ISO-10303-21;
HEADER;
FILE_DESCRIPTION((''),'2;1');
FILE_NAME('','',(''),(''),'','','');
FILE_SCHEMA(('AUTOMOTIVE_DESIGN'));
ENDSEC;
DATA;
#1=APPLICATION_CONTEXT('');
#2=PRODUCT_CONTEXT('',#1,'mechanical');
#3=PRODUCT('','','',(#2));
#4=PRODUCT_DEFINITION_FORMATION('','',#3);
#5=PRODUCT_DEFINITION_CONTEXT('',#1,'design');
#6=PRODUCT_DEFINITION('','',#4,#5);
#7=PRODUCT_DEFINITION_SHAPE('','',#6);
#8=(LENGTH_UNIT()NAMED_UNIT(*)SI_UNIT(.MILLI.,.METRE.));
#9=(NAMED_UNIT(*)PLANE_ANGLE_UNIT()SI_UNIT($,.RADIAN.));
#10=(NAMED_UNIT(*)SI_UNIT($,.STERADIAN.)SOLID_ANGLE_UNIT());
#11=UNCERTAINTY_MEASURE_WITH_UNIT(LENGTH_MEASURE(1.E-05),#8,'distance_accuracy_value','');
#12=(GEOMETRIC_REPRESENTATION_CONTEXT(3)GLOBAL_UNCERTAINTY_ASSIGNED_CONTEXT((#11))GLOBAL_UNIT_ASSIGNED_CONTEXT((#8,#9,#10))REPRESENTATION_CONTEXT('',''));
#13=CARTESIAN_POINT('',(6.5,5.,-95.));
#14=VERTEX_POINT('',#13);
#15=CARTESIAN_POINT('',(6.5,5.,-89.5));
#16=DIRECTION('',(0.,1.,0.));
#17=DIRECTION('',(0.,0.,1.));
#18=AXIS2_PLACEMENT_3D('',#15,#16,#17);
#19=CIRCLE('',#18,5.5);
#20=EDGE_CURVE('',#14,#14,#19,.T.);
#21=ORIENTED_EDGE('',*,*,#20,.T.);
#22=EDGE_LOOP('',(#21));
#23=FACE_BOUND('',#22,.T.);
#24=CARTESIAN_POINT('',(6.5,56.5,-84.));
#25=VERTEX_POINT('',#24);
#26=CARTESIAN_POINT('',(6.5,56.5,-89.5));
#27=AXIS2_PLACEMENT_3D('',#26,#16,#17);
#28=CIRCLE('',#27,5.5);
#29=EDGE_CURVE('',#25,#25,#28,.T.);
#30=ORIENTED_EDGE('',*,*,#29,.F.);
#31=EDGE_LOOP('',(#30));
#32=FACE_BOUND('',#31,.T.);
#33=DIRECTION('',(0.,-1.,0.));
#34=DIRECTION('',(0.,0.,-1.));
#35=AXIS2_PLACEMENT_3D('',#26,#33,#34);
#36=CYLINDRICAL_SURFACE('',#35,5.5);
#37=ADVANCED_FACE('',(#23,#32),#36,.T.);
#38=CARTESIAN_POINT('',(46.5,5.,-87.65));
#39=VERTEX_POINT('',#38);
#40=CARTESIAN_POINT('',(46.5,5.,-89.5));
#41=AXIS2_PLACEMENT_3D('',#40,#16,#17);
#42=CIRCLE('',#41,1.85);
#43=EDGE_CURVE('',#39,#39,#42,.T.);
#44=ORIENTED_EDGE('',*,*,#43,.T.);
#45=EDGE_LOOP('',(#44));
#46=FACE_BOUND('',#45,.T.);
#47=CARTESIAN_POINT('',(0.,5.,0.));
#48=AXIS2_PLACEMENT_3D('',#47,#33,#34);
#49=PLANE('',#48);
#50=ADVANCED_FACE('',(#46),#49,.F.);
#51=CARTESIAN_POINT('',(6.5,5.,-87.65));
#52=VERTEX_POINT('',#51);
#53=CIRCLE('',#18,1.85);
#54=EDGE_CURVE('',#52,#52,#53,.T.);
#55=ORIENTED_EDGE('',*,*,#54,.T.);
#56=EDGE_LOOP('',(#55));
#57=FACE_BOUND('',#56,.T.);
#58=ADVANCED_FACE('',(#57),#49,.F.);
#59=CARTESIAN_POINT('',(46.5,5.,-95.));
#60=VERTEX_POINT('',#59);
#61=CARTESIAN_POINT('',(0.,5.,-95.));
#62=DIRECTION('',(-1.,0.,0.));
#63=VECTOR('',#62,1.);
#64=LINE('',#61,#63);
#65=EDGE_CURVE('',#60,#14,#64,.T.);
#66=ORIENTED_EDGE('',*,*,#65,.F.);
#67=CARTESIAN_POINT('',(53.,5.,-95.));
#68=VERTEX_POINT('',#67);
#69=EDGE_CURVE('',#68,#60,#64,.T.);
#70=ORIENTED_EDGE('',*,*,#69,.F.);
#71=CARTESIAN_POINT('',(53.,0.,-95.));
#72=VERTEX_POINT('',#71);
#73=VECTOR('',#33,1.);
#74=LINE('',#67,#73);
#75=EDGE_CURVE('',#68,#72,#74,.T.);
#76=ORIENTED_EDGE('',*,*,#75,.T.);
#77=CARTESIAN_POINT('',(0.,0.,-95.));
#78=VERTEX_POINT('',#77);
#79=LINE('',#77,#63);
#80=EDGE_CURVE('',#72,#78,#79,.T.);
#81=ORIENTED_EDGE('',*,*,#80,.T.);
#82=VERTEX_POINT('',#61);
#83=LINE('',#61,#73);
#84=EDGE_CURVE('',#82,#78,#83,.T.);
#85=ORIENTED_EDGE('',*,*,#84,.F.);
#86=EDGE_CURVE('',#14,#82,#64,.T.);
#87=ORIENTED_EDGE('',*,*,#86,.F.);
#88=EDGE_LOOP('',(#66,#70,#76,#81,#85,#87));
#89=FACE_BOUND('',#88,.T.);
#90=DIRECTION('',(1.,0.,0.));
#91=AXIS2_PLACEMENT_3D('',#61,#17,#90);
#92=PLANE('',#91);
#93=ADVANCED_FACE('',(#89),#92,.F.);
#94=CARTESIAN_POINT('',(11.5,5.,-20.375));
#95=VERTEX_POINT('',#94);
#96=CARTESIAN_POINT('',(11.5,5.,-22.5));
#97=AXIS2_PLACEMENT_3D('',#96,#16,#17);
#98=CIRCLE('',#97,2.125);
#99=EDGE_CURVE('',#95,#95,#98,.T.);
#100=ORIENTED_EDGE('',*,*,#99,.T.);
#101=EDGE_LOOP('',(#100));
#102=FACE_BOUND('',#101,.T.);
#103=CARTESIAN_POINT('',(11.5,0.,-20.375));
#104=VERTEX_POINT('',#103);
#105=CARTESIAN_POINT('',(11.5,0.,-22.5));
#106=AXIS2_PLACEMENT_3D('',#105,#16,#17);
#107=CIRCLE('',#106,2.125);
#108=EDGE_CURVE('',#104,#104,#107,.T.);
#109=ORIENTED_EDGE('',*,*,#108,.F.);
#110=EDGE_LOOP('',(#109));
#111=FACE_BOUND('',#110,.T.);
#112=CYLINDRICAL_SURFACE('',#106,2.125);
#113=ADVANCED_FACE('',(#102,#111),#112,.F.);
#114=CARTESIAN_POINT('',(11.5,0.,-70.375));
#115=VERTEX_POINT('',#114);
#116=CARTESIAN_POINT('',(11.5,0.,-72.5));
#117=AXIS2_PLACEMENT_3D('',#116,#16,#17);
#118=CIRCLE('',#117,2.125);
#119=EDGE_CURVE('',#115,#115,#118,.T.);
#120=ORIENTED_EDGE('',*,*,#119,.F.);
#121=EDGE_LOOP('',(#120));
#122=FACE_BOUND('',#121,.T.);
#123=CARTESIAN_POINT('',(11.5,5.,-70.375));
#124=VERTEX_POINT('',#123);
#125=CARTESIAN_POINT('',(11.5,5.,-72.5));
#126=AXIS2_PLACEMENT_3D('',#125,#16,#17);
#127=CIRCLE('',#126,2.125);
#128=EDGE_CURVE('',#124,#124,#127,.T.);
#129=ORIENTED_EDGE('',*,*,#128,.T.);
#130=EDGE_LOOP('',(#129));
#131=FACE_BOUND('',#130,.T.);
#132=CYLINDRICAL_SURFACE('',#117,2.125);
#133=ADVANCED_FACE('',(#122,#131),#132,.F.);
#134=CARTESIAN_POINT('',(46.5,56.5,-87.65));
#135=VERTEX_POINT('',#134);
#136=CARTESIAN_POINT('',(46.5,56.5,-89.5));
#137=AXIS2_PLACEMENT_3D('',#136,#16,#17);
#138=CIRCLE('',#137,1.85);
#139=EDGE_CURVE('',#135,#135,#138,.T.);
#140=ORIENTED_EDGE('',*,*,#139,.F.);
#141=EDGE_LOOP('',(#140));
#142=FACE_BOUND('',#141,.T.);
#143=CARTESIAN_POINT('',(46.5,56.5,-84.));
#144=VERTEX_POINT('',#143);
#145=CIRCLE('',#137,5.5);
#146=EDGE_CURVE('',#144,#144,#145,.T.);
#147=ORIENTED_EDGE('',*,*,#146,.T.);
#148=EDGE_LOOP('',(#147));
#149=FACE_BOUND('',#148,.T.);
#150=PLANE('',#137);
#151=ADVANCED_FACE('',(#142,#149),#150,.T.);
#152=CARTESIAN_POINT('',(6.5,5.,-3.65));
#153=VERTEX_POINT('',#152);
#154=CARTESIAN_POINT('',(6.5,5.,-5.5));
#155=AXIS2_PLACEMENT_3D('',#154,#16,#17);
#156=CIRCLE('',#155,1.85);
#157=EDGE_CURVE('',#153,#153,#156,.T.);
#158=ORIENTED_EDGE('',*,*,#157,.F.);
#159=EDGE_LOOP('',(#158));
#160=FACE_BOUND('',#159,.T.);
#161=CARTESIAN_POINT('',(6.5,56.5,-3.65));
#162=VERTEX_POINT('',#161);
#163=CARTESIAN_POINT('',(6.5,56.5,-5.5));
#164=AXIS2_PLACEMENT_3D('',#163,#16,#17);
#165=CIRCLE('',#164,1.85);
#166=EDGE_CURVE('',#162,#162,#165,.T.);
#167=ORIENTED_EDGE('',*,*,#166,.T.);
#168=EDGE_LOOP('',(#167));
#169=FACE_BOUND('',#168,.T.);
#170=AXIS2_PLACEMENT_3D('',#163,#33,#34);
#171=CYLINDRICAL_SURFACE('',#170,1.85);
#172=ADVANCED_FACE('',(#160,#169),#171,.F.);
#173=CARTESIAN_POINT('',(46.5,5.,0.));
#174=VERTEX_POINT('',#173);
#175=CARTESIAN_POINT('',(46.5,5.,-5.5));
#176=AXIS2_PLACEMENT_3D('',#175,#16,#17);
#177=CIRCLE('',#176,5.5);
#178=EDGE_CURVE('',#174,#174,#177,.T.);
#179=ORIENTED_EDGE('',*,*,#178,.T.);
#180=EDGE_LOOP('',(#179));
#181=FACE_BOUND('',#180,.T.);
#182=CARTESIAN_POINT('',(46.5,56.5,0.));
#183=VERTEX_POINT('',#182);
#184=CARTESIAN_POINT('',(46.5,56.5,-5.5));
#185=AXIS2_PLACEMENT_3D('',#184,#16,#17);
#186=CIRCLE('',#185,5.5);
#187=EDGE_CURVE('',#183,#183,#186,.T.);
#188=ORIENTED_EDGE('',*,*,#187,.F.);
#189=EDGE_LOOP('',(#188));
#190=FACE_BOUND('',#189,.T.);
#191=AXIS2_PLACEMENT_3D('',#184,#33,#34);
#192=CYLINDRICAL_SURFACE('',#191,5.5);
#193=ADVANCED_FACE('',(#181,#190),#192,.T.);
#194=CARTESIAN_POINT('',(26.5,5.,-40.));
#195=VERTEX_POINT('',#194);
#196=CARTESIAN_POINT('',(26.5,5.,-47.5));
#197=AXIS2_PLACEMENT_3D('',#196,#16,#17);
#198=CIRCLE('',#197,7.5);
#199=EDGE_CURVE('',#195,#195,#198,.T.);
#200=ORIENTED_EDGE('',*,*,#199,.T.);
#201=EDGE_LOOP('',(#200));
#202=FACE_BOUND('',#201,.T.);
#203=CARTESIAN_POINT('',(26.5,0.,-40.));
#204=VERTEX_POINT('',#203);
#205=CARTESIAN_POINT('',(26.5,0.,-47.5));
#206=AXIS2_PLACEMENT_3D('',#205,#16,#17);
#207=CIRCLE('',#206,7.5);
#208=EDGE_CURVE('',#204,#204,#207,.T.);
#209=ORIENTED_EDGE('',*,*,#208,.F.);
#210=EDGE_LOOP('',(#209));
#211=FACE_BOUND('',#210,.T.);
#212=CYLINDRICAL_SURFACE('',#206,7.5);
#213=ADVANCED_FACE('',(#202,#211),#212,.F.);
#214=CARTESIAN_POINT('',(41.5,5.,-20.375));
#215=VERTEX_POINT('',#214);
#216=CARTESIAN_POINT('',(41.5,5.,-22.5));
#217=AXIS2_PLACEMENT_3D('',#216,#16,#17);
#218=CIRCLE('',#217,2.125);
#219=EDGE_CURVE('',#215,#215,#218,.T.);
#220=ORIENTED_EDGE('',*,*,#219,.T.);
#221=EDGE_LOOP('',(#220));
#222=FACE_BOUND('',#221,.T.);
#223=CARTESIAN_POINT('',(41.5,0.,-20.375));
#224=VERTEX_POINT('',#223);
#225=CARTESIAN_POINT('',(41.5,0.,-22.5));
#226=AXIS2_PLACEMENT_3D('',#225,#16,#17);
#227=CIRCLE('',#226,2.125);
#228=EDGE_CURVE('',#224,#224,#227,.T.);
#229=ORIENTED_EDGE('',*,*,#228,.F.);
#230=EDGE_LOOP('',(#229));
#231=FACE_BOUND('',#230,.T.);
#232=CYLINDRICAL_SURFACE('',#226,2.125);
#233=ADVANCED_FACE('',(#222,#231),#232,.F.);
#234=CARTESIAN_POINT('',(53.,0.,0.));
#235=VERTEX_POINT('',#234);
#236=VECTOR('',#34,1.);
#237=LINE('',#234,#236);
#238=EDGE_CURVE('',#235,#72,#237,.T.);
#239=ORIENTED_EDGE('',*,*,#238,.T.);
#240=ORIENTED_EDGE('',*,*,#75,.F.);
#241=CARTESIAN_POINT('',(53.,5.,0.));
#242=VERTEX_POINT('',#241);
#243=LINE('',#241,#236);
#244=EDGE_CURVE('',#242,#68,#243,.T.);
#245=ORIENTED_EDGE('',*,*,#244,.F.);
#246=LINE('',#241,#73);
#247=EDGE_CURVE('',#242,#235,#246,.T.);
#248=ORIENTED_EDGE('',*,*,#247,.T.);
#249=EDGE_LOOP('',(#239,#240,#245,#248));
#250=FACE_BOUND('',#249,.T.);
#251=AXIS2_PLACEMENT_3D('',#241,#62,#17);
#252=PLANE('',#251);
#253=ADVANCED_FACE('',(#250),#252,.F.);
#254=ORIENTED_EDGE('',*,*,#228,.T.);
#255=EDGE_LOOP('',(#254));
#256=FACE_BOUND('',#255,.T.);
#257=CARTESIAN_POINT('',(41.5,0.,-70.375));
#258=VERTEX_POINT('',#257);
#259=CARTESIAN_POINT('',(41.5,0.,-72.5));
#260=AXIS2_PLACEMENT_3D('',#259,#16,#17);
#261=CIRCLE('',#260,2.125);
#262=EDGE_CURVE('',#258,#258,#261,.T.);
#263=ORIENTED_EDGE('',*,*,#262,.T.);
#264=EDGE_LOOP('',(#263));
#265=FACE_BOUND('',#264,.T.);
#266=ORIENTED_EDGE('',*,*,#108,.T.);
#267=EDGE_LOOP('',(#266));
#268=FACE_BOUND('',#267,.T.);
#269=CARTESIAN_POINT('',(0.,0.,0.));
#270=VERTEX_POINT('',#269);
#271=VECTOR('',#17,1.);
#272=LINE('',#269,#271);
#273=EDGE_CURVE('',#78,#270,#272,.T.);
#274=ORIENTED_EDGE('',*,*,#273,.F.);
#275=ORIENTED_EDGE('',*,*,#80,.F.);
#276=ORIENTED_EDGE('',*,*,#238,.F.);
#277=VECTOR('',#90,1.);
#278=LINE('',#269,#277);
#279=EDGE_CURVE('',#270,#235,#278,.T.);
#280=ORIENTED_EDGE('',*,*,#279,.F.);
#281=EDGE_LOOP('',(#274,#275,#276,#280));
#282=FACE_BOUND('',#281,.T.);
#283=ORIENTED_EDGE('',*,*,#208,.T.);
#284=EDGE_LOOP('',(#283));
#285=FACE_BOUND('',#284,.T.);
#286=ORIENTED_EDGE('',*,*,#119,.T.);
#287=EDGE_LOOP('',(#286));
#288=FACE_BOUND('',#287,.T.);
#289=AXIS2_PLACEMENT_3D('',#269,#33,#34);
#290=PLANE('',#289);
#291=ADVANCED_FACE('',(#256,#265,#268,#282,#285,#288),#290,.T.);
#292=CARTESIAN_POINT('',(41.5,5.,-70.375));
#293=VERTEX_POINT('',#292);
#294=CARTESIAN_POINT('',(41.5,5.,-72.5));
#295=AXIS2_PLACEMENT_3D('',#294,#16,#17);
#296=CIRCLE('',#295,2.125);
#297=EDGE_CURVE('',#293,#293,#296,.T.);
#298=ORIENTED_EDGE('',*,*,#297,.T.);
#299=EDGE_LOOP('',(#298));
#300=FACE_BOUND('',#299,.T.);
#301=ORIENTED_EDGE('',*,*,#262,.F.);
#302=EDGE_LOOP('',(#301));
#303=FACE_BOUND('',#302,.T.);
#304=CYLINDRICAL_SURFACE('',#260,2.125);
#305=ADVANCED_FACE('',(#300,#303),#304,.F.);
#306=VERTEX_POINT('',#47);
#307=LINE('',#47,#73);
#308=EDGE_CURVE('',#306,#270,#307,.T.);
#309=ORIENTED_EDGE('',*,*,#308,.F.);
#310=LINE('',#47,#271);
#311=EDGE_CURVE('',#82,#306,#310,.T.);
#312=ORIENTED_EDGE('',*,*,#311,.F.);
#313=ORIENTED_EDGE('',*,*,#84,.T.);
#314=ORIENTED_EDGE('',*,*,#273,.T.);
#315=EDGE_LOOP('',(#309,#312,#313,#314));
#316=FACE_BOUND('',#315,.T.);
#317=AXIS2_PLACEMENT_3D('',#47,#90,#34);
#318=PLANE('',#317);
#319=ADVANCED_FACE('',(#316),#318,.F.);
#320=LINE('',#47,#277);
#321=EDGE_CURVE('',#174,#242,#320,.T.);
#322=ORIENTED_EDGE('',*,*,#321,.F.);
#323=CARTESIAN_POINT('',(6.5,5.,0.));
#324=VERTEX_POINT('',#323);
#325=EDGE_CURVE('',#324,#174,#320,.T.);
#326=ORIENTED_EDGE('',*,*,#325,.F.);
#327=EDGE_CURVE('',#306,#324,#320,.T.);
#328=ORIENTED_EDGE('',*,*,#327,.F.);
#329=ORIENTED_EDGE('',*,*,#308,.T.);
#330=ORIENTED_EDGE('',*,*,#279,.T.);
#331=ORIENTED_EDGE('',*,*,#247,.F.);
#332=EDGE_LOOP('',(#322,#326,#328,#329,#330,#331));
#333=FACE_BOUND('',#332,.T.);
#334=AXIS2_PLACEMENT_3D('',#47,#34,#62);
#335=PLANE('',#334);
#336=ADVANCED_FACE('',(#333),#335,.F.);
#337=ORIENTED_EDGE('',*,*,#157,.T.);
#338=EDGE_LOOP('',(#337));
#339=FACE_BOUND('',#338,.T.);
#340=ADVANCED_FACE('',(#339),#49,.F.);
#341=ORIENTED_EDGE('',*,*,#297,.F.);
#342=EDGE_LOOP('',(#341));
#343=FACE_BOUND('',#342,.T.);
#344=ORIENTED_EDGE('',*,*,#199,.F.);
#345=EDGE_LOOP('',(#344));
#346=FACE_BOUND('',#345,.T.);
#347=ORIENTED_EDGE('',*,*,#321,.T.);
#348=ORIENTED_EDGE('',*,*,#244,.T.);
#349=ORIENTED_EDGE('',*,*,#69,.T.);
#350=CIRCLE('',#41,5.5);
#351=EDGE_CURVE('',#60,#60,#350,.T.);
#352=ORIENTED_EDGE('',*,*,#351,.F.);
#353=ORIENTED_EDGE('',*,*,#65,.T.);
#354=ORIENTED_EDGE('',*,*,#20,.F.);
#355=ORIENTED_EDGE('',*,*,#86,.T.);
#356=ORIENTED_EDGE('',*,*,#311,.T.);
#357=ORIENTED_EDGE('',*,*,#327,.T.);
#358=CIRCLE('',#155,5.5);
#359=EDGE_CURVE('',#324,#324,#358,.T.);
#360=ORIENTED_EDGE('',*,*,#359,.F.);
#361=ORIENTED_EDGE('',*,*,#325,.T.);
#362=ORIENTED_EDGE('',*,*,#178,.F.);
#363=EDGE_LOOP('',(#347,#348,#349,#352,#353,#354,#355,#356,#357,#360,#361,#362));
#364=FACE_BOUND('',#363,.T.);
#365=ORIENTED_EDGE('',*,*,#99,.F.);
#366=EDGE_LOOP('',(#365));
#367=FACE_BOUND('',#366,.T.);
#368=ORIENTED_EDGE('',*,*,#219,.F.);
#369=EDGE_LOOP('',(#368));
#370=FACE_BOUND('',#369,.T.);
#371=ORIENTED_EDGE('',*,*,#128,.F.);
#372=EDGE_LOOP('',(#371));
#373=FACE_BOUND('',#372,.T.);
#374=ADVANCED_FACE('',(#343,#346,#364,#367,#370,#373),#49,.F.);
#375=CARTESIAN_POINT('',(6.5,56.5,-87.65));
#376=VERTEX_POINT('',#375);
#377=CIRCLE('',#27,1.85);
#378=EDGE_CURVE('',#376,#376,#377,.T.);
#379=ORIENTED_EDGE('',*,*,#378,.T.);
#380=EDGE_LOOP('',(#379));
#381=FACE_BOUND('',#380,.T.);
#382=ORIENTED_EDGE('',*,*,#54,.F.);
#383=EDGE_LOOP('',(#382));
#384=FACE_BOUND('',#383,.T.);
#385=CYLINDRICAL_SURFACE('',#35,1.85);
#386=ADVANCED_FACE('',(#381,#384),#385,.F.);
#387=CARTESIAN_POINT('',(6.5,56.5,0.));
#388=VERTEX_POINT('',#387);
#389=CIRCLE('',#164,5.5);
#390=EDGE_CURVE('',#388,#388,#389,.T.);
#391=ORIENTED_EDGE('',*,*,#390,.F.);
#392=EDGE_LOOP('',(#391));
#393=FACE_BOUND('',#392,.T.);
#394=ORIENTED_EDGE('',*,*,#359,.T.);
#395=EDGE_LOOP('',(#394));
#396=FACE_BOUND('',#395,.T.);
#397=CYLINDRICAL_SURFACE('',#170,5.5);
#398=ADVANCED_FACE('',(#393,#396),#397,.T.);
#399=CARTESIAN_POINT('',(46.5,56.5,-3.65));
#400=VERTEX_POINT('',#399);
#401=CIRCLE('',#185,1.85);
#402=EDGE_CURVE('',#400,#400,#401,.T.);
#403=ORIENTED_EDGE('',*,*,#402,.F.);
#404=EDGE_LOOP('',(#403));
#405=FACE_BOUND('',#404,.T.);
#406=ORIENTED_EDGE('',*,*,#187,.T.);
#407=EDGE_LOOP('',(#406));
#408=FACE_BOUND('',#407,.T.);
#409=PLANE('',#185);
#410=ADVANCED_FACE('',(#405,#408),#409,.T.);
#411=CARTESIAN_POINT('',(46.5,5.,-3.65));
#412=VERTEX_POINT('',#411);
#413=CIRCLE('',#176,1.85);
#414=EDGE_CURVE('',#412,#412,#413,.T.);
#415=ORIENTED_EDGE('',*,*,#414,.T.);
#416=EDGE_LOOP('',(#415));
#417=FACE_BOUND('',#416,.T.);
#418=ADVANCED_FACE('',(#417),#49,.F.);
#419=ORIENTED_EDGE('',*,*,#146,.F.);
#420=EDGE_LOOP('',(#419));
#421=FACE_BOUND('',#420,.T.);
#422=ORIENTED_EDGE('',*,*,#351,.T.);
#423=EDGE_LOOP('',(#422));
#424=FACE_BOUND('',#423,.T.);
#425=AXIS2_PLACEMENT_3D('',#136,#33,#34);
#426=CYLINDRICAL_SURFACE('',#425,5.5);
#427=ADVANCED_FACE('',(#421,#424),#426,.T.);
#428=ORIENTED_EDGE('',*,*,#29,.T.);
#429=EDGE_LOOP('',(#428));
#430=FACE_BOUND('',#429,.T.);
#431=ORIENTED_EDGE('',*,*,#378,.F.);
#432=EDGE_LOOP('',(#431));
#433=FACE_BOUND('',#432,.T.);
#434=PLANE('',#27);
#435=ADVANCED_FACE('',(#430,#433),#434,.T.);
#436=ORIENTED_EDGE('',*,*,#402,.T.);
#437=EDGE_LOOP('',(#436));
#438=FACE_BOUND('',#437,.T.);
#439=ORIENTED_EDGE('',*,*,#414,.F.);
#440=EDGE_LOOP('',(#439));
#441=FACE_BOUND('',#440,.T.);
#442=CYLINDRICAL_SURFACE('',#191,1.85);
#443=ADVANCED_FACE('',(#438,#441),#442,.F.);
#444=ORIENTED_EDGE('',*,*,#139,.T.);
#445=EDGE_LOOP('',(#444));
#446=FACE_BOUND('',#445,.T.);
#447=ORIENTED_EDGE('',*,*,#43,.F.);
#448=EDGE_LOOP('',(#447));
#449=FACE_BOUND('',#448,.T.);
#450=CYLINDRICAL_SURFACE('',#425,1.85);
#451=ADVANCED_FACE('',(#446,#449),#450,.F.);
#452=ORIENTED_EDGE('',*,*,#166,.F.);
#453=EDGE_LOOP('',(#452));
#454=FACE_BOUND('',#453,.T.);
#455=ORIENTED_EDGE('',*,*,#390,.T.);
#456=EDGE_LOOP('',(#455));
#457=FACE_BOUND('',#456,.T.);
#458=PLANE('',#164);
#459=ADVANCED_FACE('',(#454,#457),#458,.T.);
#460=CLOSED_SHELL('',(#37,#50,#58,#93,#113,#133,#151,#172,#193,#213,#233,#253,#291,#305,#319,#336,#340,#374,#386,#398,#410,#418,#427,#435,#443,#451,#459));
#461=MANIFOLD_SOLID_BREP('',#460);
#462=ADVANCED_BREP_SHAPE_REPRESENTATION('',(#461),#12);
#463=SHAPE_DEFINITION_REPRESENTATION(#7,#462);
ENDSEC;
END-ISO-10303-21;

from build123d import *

# Parameters (mm, degrees)
SKETCH1_W           = 53
SKETCH1_H           = 95
BOSS_EXTRUDE1_DEPTH = 5
SKETCH2_R           = 5.5
SKETCH2_R_2         = 1.85
BOSS_EXTRUDE2_DEPTH = 51.5
SKETCH4_R           = 7.5
SKETCH4_R_2         = 2.125
CUT_EXTRUDE1_DEPTH  = 6


with BuildPart() as part:
    # Sketch1 → Boss-Extrude1 (new body)
    with BuildSketch(Plane(origin=(0, 0, 0), x_dir=(1, 0, 0), z_dir=(0, 1, 0))):
        with Locations((26.5, 47.5)):
            Rectangle(SKETCH1_W, SKETCH1_H)
    extrude(amount=BOSS_EXTRUDE1_DEPTH)

    # Sketch2 → Boss-Extrude2 (add)
    with BuildSketch(Plane(origin=(0, 5, 0), x_dir=(1, 0, 0), z_dir=(0, 1, 0))):
        with Locations((46.5, 89.5)):
            Circle(SKETCH2_R)
        with Locations((46.5, 89.5)):
            Circle(SKETCH2_R_2, mode=Mode.SUBTRACT)
        with Locations((6.5, 89.5)):
            Circle(SKETCH2_R)
        with Locations((6.5, 89.5)):
            Circle(SKETCH2_R_2, mode=Mode.SUBTRACT)
        with Locations((6.5, 5.5)):
            Circle(SKETCH2_R)
        with Locations((6.5, 5.5)):
            Circle(SKETCH2_R_2, mode=Mode.SUBTRACT)
        with Locations((46.5, 5.5)):
            Circle(SKETCH2_R)
        with Locations((46.5, 5.5)):
            Circle(SKETCH2_R_2, mode=Mode.SUBTRACT)
    extrude(amount=BOSS_EXTRUDE2_DEPTH)

    # Sketch4 → Cut-Extrude1 (cut, through all)
    with BuildSketch(Plane(origin=(0, 5, 0), x_dir=(1, 0, 0), z_dir=(0, 1, 0))):
        with Locations((26.5, 47.5)):
            Circle(SKETCH4_R)
        with Locations((11.5, 72.5)):
            Circle(SKETCH4_R_2)
        with Locations((41.5, 72.5)):
            Circle(SKETCH4_R_2)
        with Locations((11.5, 22.5)):
            Circle(SKETCH4_R_2)
        with Locations((41.5, 22.5)):
            Circle(SKETCH4_R_2)
    extrude(amount=-CUT_EXTRUDE1_DEPTH, mode=Mode.SUBTRACT)


solid = part.part
